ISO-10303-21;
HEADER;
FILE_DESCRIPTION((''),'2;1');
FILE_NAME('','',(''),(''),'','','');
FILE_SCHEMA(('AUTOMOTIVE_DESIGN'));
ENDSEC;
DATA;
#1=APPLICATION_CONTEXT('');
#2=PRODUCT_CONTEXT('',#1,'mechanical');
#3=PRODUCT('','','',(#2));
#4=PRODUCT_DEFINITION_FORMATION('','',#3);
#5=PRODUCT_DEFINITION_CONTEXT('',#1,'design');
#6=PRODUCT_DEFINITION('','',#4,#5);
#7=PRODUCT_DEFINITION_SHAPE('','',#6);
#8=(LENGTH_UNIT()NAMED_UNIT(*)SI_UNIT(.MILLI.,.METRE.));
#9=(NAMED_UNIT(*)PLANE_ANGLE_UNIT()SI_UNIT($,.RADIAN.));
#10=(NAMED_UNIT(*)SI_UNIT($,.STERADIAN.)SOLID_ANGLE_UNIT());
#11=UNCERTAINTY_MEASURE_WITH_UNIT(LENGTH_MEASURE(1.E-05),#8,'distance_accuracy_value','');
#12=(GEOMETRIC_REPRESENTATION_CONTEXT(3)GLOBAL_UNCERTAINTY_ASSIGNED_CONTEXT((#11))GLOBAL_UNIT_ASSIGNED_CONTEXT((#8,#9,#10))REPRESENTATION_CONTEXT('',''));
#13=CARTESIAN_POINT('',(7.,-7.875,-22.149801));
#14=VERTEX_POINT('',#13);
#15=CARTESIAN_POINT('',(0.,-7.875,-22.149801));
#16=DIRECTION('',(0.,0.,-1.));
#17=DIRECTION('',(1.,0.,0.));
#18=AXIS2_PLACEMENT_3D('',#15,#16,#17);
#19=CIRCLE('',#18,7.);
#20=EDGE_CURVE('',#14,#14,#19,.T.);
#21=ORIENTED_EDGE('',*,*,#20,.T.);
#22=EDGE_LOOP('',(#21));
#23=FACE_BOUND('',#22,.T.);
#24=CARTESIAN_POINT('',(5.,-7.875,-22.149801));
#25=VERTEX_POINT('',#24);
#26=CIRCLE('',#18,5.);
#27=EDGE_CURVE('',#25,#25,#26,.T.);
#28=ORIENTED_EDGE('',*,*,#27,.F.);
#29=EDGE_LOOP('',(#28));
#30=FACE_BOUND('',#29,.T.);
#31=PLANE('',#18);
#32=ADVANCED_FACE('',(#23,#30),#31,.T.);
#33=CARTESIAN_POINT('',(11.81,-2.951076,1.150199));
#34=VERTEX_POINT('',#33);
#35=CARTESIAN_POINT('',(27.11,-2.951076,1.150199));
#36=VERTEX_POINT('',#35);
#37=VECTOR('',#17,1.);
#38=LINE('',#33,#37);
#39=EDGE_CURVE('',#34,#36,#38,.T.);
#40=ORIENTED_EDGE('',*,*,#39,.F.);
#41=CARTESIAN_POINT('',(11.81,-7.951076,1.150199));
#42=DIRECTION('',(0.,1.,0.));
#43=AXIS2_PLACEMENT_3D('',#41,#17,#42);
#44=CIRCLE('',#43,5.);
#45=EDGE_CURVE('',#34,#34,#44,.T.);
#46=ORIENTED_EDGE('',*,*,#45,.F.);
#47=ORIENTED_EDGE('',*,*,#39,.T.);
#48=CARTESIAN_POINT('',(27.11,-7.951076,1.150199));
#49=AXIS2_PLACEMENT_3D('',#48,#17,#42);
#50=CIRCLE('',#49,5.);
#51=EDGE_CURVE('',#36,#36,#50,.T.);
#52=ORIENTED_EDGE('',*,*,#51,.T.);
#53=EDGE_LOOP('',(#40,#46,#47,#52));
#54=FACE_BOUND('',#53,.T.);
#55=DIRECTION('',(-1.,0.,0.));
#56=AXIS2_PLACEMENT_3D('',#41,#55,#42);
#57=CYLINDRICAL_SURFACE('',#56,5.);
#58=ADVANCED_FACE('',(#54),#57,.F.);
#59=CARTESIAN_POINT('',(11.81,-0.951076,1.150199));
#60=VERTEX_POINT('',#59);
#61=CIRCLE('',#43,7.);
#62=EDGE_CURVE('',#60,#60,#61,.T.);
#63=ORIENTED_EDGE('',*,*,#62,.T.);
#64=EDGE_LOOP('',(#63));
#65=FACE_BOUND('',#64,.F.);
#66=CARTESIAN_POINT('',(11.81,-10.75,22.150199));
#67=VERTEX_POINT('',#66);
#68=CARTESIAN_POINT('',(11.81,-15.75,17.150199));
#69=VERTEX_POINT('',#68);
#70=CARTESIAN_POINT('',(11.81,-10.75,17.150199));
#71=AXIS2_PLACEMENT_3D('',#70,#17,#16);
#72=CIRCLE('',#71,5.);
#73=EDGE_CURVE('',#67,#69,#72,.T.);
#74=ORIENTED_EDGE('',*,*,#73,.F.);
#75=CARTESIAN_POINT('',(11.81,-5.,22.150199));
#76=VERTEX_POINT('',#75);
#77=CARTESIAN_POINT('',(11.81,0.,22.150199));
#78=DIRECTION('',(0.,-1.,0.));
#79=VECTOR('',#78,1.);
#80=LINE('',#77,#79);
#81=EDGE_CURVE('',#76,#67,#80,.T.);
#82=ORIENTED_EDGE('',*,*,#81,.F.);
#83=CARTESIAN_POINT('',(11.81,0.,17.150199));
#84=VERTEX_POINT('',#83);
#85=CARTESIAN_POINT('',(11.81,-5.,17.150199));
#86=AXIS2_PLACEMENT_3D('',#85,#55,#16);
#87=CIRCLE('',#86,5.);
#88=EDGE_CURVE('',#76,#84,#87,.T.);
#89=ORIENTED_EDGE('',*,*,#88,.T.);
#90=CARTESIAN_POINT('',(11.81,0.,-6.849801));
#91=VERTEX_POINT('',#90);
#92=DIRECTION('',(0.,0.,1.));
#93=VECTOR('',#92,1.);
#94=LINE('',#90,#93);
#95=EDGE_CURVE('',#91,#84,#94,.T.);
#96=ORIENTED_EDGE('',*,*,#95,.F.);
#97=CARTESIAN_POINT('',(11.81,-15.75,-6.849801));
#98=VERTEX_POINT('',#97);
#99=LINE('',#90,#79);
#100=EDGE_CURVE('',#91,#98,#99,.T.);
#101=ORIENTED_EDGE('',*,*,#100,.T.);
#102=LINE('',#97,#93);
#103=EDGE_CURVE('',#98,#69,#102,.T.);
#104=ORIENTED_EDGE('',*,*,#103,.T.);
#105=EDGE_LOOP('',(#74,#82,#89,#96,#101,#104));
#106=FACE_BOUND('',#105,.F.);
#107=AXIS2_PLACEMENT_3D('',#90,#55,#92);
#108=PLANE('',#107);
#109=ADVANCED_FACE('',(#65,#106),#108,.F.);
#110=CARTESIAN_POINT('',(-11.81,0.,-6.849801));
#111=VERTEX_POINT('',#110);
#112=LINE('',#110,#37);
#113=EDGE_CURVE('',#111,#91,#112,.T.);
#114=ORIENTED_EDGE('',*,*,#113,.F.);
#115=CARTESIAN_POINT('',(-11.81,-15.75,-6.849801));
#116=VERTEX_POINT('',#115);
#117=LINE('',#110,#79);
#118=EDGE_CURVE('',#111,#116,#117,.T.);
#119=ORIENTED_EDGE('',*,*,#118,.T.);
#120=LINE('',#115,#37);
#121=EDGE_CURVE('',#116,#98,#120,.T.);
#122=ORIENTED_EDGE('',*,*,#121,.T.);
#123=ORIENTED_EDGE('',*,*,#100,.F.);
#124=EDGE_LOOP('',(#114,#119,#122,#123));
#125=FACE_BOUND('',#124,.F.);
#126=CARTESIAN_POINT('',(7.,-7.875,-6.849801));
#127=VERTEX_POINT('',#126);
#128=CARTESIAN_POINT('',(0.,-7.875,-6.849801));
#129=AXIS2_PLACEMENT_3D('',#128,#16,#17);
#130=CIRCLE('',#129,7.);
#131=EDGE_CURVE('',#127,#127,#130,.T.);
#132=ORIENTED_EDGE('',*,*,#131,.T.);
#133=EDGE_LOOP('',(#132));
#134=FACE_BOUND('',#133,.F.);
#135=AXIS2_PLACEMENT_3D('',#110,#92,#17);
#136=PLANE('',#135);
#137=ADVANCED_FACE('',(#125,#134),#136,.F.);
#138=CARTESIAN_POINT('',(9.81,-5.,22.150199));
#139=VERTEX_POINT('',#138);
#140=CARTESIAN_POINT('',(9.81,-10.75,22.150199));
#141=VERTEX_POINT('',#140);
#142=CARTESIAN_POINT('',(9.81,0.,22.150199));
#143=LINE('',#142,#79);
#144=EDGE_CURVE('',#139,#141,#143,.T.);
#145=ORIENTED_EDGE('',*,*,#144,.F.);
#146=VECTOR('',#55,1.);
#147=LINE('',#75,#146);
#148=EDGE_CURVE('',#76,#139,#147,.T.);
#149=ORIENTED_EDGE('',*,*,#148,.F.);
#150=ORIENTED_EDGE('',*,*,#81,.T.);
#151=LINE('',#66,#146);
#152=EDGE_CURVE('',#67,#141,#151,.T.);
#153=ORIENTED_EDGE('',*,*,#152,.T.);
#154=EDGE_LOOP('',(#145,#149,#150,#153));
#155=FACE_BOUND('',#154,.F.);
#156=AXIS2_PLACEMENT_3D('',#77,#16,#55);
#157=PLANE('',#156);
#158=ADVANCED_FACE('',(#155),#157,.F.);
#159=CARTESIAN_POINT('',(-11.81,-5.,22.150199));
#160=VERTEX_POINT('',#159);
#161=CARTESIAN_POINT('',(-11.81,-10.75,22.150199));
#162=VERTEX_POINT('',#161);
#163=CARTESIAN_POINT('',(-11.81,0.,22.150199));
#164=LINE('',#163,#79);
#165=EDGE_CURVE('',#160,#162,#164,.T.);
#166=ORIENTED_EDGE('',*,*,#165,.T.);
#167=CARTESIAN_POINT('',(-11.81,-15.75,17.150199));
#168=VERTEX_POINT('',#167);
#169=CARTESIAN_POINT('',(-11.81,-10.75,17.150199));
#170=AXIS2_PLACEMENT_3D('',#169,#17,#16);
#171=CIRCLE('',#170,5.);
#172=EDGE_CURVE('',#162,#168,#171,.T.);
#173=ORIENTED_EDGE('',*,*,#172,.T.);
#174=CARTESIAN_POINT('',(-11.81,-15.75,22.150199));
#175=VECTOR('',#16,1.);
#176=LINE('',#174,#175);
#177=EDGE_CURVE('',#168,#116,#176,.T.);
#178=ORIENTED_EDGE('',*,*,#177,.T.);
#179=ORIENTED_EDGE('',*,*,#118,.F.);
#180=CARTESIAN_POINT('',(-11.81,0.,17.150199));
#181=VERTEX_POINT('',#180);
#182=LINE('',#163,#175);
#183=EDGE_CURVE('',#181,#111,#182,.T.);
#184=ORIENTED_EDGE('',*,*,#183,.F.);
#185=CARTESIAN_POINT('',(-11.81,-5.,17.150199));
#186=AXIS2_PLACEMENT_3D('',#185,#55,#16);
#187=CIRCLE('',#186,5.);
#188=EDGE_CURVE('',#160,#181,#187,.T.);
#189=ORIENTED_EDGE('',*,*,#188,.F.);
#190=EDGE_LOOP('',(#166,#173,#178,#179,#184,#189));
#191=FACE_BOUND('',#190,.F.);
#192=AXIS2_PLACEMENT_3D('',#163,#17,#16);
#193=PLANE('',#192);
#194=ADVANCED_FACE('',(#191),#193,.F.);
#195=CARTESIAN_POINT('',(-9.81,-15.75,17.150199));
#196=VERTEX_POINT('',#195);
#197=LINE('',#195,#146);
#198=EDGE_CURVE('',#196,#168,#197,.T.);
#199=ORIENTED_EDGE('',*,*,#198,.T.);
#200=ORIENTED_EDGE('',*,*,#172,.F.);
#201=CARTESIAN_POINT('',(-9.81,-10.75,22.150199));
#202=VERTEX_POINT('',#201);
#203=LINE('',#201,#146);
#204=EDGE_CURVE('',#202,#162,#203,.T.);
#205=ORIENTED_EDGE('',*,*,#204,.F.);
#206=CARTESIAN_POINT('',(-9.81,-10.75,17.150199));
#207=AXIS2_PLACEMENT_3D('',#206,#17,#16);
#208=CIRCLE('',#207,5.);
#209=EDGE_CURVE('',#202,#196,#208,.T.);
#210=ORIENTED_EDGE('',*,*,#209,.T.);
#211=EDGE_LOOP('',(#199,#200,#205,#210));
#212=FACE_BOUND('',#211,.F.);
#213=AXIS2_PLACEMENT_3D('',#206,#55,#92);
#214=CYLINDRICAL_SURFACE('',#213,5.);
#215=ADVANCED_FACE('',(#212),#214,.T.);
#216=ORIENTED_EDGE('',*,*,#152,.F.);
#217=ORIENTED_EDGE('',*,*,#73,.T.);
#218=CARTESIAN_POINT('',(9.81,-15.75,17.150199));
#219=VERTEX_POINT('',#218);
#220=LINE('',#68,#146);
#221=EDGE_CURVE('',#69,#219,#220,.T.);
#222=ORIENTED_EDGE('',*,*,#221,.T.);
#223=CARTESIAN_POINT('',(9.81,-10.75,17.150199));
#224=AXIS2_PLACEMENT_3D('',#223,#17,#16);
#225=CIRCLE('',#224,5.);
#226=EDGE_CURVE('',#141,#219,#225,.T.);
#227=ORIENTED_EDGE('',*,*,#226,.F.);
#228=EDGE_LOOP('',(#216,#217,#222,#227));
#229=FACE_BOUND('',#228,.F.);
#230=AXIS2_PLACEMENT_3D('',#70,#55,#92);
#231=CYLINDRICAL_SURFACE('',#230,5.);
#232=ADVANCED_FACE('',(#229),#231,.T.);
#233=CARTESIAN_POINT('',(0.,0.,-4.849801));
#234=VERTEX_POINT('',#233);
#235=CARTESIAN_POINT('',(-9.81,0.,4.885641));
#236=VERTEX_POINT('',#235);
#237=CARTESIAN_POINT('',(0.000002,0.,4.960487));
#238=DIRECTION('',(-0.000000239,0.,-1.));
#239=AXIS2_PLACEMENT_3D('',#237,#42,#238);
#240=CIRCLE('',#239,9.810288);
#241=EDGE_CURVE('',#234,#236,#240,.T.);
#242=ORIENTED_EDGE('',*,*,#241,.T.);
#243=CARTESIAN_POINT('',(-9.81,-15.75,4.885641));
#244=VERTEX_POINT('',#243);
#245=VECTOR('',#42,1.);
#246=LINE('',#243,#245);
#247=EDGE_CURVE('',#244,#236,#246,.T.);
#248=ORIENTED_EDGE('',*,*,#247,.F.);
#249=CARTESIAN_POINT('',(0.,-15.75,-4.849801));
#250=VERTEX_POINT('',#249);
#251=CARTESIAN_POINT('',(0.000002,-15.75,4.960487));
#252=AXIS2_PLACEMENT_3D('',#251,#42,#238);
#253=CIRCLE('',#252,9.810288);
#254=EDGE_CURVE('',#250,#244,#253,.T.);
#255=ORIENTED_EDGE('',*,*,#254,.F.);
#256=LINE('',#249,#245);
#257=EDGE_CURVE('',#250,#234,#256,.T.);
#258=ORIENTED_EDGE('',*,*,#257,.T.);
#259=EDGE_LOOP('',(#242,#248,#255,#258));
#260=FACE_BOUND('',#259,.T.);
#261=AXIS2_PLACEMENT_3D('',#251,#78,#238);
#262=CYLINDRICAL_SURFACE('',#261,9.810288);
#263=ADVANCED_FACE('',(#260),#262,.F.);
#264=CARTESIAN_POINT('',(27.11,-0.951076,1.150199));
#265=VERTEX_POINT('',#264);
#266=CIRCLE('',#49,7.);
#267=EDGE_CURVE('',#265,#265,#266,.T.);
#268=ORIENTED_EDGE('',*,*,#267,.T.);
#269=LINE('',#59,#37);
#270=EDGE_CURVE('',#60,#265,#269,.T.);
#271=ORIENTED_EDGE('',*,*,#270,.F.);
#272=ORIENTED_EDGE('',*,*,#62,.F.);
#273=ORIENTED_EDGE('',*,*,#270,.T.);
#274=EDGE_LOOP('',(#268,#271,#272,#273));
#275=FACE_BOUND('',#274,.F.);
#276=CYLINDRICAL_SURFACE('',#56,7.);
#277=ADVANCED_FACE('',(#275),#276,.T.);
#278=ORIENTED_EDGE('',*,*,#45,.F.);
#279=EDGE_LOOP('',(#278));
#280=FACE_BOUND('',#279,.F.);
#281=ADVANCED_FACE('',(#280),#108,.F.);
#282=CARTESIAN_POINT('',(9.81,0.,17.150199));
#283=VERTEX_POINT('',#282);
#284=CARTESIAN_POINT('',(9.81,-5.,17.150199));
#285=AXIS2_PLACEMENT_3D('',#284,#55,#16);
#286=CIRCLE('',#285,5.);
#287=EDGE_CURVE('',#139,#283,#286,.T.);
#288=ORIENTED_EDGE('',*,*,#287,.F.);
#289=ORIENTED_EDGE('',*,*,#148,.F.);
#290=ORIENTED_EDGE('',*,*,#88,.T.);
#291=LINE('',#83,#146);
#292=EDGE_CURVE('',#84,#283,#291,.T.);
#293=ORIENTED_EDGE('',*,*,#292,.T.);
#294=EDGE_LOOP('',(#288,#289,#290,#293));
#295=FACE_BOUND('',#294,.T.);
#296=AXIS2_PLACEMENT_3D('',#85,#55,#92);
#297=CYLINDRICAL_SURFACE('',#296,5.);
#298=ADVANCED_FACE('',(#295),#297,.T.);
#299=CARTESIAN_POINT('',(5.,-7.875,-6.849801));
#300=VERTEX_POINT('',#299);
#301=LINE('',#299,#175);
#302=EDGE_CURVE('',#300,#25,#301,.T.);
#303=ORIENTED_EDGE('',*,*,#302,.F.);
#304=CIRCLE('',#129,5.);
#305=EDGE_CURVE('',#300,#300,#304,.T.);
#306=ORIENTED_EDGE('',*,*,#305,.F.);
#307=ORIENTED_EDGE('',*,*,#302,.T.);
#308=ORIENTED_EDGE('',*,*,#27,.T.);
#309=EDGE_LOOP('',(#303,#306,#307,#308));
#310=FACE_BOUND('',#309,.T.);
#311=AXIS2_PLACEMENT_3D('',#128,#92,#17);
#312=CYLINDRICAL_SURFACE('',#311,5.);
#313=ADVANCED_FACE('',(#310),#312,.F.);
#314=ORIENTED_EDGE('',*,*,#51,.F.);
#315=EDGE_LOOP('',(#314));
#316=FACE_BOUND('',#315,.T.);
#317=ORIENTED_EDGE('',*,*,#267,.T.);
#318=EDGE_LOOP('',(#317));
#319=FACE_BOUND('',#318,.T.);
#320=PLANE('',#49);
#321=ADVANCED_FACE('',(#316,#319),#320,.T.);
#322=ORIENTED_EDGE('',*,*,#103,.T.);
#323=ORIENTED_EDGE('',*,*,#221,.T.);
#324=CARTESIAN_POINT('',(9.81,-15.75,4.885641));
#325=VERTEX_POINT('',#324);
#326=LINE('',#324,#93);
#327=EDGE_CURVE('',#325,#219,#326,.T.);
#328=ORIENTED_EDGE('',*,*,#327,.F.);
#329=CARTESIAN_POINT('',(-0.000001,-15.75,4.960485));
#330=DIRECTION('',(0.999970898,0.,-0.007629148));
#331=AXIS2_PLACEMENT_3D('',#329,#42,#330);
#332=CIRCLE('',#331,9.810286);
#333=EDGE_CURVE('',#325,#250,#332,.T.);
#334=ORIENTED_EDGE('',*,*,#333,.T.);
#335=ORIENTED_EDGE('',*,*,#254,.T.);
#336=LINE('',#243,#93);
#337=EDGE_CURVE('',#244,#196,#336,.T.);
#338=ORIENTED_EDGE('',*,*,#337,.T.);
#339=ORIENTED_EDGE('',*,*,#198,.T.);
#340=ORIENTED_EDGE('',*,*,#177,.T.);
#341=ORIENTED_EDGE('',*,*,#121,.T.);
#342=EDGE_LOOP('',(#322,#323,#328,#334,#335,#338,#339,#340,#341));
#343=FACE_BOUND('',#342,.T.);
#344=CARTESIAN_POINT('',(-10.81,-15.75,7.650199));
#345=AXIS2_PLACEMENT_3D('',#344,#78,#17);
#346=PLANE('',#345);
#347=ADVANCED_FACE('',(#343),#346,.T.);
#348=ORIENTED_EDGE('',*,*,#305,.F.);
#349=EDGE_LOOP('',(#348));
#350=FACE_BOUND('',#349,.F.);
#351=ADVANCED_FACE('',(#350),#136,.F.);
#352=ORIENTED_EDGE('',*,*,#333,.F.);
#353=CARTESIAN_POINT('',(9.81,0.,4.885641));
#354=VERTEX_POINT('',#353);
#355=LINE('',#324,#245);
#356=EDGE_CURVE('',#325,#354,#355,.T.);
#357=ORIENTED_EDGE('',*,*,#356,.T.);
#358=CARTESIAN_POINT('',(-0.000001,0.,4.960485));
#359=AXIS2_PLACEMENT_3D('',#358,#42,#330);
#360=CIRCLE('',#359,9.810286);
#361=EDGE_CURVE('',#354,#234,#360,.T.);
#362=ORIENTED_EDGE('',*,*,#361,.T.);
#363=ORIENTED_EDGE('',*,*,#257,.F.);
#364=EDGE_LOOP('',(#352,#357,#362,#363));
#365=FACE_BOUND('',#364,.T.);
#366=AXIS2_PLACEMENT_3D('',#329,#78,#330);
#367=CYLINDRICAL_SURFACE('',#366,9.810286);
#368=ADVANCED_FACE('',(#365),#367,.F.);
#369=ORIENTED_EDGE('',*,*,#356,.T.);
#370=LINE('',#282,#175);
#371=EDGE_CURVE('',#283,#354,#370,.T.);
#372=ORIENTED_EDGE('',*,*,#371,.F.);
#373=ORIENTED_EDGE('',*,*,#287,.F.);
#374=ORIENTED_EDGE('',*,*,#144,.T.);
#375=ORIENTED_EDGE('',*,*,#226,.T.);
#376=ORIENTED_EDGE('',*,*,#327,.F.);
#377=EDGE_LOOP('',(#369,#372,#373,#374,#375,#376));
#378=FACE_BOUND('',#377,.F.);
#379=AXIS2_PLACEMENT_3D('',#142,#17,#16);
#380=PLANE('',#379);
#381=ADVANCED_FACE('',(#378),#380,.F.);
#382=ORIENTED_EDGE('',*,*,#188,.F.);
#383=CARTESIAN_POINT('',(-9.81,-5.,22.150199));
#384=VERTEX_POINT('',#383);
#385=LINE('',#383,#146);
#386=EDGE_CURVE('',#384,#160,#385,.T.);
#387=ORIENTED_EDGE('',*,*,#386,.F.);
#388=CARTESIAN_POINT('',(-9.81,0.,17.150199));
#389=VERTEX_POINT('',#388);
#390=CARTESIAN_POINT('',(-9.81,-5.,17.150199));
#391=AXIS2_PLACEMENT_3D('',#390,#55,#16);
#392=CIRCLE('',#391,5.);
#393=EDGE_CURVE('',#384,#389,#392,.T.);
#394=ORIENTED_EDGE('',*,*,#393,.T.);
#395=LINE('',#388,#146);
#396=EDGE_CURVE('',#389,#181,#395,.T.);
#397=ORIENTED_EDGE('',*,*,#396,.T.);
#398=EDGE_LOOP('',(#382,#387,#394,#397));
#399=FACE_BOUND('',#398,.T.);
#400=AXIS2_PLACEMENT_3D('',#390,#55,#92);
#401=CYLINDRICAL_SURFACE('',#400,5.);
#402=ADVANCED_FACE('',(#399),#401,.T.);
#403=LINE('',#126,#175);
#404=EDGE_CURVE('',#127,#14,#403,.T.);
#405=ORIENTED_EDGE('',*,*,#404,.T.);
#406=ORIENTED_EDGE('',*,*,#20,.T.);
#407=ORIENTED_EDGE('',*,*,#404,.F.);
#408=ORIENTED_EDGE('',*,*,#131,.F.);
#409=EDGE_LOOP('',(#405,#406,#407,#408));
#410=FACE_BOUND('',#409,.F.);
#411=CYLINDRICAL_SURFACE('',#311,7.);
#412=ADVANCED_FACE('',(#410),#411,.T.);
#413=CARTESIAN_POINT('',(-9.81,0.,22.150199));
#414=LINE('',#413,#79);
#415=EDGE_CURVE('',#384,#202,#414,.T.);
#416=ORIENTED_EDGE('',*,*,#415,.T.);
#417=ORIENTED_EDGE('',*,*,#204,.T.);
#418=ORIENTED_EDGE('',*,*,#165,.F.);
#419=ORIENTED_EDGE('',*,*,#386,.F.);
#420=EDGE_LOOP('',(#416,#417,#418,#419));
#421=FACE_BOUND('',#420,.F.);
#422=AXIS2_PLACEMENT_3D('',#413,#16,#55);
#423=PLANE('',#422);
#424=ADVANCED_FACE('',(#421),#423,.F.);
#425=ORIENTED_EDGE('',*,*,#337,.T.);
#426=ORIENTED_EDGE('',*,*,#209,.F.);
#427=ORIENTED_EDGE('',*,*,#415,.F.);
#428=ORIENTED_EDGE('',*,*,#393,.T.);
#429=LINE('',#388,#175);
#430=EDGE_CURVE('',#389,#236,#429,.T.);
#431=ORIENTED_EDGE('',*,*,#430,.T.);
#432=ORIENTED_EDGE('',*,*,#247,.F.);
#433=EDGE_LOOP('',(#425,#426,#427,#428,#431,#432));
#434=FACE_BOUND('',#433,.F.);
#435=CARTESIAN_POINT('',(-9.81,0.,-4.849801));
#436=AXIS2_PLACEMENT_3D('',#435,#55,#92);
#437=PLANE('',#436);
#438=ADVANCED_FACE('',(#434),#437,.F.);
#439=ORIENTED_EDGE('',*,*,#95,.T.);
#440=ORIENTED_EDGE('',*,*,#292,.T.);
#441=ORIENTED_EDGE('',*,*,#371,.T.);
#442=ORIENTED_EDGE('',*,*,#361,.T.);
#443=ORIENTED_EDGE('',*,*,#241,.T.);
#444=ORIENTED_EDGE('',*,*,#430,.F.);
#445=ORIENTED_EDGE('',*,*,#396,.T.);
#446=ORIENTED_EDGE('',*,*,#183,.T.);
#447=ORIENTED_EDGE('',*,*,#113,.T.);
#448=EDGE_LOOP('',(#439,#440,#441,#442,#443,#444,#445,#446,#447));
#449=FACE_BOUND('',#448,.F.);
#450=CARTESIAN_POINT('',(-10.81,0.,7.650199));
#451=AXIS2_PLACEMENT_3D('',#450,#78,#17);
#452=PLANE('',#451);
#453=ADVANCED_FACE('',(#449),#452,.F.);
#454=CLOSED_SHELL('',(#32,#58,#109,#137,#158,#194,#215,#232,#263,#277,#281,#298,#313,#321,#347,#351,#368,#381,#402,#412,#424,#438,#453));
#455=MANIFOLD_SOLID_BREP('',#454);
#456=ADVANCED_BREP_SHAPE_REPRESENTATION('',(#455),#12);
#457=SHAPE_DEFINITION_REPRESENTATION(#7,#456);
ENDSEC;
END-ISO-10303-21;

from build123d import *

# Parameters (mm, degrees)
F0_W     = 9.81
F0_H     = 2
F1_DEPTH = 15.75
F2_R     = 5
F3_R     = 7
F3_R_2   = 5
F4_DEPTH = 15.3
F5_R     = 7
F5_R_2   = 5
F6_DEPTH = 15.3
F8_DEPTH = 15.75


with BuildPart() as f1:
    # F0 (on Front) → F1 (new body)
    with BuildSketch(Plane.XZ):
        Polygon((-9.81, 22.150199), (-11.81, 22.150199), (-11.81, -6.849801), (-9.81, -6.849801), (-9.81, -4.849801), align=None)
        with Locations((-4.905, -5.849801)):
            Rectangle(F0_W, F0_H)
        with Locations((4.905, -5.849801)):
            Rectangle(F0_W, F0_H)
        Polygon((9.81, 22.150199), (9.81, -4.849801), (9.81, -6.849801), (11.81, -6.849801), (11.81, 22.150199), align=None)
    extrude(amount=F1_DEPTH)

    # F2
    f2_edges = [f1.edges().sort_by_distance(p)[0] for p in [
        (10.81, -15.75, 22.150199),
        (-10.81, -15.75, 22.150199),
        (10.81, 0, 22.150199),
        (-10.81, 0, 22.150199),
    ]]
    fillet(f2_edges, radius=F2_R)

    # F3 (on face) → F4 (join)
    with BuildSketch(Plane.YZ.offset(11.81)):
        with Locations((-7.951076, 1.150199)):
            Circle(F3_R)
        with Locations((-7.951076, 1.150199)):
            Circle(F3_R_2, mode=Mode.SUBTRACT)
    extrude(amount=F4_DEPTH)

    # F5 (on face) → F6 (join)
    with BuildSketch(Plane(origin=(0, 0, -6.849801), x_dir=(1, 0, 0), z_dir=(0, 0, -1))):
        with Locations((0, 7.875)):
            Circle(F5_R)
        with Locations((0, 7.875)):
            Circle(F5_R_2, mode=Mode.SUBTRACT)
    extrude(amount=F6_DEPTH)

    # F7 (on face) → F8 (join, through all)
    with BuildSketch(Plane.XZ.offset(15.75)):
        with BuildLine():
            ThreePointArc((9.81, 4.885641), (9.810285, 4.960485), (9.81, 5.035329))
            Line((9.81, 5.035329), (9.81, 4.885641))
        make_face()
        with BuildLine():
            ThreePointArc((-9.81, 5.035329), (-9.810285, 4.960485), (-9.81, 4.885641))
            Line((-9.81, 4.885641), (-9.81, 5.035329))
        make_face()
        with BuildLine():
            Line((-9.81, -4.849801), (0, -4.849801))
            ThreePointArc((0, -4.849801), (-6.910407, -2.002845), (-9.81, 4.885641))
            Line((-9.81, 4.885641), (-9.81, -4.849801))
        make_face()
        with BuildLine():
            Line((9.81, -4.849801), (9.81, 4.885641))
            ThreePointArc((9.81, 4.885641), (6.910407, -2.002846), (0, -4.849801))
            Line((0, -4.849801), (9.81, -4.849801))
        make_face()
    extrude(amount=-F8_DEPTH)


solid = f1.part
